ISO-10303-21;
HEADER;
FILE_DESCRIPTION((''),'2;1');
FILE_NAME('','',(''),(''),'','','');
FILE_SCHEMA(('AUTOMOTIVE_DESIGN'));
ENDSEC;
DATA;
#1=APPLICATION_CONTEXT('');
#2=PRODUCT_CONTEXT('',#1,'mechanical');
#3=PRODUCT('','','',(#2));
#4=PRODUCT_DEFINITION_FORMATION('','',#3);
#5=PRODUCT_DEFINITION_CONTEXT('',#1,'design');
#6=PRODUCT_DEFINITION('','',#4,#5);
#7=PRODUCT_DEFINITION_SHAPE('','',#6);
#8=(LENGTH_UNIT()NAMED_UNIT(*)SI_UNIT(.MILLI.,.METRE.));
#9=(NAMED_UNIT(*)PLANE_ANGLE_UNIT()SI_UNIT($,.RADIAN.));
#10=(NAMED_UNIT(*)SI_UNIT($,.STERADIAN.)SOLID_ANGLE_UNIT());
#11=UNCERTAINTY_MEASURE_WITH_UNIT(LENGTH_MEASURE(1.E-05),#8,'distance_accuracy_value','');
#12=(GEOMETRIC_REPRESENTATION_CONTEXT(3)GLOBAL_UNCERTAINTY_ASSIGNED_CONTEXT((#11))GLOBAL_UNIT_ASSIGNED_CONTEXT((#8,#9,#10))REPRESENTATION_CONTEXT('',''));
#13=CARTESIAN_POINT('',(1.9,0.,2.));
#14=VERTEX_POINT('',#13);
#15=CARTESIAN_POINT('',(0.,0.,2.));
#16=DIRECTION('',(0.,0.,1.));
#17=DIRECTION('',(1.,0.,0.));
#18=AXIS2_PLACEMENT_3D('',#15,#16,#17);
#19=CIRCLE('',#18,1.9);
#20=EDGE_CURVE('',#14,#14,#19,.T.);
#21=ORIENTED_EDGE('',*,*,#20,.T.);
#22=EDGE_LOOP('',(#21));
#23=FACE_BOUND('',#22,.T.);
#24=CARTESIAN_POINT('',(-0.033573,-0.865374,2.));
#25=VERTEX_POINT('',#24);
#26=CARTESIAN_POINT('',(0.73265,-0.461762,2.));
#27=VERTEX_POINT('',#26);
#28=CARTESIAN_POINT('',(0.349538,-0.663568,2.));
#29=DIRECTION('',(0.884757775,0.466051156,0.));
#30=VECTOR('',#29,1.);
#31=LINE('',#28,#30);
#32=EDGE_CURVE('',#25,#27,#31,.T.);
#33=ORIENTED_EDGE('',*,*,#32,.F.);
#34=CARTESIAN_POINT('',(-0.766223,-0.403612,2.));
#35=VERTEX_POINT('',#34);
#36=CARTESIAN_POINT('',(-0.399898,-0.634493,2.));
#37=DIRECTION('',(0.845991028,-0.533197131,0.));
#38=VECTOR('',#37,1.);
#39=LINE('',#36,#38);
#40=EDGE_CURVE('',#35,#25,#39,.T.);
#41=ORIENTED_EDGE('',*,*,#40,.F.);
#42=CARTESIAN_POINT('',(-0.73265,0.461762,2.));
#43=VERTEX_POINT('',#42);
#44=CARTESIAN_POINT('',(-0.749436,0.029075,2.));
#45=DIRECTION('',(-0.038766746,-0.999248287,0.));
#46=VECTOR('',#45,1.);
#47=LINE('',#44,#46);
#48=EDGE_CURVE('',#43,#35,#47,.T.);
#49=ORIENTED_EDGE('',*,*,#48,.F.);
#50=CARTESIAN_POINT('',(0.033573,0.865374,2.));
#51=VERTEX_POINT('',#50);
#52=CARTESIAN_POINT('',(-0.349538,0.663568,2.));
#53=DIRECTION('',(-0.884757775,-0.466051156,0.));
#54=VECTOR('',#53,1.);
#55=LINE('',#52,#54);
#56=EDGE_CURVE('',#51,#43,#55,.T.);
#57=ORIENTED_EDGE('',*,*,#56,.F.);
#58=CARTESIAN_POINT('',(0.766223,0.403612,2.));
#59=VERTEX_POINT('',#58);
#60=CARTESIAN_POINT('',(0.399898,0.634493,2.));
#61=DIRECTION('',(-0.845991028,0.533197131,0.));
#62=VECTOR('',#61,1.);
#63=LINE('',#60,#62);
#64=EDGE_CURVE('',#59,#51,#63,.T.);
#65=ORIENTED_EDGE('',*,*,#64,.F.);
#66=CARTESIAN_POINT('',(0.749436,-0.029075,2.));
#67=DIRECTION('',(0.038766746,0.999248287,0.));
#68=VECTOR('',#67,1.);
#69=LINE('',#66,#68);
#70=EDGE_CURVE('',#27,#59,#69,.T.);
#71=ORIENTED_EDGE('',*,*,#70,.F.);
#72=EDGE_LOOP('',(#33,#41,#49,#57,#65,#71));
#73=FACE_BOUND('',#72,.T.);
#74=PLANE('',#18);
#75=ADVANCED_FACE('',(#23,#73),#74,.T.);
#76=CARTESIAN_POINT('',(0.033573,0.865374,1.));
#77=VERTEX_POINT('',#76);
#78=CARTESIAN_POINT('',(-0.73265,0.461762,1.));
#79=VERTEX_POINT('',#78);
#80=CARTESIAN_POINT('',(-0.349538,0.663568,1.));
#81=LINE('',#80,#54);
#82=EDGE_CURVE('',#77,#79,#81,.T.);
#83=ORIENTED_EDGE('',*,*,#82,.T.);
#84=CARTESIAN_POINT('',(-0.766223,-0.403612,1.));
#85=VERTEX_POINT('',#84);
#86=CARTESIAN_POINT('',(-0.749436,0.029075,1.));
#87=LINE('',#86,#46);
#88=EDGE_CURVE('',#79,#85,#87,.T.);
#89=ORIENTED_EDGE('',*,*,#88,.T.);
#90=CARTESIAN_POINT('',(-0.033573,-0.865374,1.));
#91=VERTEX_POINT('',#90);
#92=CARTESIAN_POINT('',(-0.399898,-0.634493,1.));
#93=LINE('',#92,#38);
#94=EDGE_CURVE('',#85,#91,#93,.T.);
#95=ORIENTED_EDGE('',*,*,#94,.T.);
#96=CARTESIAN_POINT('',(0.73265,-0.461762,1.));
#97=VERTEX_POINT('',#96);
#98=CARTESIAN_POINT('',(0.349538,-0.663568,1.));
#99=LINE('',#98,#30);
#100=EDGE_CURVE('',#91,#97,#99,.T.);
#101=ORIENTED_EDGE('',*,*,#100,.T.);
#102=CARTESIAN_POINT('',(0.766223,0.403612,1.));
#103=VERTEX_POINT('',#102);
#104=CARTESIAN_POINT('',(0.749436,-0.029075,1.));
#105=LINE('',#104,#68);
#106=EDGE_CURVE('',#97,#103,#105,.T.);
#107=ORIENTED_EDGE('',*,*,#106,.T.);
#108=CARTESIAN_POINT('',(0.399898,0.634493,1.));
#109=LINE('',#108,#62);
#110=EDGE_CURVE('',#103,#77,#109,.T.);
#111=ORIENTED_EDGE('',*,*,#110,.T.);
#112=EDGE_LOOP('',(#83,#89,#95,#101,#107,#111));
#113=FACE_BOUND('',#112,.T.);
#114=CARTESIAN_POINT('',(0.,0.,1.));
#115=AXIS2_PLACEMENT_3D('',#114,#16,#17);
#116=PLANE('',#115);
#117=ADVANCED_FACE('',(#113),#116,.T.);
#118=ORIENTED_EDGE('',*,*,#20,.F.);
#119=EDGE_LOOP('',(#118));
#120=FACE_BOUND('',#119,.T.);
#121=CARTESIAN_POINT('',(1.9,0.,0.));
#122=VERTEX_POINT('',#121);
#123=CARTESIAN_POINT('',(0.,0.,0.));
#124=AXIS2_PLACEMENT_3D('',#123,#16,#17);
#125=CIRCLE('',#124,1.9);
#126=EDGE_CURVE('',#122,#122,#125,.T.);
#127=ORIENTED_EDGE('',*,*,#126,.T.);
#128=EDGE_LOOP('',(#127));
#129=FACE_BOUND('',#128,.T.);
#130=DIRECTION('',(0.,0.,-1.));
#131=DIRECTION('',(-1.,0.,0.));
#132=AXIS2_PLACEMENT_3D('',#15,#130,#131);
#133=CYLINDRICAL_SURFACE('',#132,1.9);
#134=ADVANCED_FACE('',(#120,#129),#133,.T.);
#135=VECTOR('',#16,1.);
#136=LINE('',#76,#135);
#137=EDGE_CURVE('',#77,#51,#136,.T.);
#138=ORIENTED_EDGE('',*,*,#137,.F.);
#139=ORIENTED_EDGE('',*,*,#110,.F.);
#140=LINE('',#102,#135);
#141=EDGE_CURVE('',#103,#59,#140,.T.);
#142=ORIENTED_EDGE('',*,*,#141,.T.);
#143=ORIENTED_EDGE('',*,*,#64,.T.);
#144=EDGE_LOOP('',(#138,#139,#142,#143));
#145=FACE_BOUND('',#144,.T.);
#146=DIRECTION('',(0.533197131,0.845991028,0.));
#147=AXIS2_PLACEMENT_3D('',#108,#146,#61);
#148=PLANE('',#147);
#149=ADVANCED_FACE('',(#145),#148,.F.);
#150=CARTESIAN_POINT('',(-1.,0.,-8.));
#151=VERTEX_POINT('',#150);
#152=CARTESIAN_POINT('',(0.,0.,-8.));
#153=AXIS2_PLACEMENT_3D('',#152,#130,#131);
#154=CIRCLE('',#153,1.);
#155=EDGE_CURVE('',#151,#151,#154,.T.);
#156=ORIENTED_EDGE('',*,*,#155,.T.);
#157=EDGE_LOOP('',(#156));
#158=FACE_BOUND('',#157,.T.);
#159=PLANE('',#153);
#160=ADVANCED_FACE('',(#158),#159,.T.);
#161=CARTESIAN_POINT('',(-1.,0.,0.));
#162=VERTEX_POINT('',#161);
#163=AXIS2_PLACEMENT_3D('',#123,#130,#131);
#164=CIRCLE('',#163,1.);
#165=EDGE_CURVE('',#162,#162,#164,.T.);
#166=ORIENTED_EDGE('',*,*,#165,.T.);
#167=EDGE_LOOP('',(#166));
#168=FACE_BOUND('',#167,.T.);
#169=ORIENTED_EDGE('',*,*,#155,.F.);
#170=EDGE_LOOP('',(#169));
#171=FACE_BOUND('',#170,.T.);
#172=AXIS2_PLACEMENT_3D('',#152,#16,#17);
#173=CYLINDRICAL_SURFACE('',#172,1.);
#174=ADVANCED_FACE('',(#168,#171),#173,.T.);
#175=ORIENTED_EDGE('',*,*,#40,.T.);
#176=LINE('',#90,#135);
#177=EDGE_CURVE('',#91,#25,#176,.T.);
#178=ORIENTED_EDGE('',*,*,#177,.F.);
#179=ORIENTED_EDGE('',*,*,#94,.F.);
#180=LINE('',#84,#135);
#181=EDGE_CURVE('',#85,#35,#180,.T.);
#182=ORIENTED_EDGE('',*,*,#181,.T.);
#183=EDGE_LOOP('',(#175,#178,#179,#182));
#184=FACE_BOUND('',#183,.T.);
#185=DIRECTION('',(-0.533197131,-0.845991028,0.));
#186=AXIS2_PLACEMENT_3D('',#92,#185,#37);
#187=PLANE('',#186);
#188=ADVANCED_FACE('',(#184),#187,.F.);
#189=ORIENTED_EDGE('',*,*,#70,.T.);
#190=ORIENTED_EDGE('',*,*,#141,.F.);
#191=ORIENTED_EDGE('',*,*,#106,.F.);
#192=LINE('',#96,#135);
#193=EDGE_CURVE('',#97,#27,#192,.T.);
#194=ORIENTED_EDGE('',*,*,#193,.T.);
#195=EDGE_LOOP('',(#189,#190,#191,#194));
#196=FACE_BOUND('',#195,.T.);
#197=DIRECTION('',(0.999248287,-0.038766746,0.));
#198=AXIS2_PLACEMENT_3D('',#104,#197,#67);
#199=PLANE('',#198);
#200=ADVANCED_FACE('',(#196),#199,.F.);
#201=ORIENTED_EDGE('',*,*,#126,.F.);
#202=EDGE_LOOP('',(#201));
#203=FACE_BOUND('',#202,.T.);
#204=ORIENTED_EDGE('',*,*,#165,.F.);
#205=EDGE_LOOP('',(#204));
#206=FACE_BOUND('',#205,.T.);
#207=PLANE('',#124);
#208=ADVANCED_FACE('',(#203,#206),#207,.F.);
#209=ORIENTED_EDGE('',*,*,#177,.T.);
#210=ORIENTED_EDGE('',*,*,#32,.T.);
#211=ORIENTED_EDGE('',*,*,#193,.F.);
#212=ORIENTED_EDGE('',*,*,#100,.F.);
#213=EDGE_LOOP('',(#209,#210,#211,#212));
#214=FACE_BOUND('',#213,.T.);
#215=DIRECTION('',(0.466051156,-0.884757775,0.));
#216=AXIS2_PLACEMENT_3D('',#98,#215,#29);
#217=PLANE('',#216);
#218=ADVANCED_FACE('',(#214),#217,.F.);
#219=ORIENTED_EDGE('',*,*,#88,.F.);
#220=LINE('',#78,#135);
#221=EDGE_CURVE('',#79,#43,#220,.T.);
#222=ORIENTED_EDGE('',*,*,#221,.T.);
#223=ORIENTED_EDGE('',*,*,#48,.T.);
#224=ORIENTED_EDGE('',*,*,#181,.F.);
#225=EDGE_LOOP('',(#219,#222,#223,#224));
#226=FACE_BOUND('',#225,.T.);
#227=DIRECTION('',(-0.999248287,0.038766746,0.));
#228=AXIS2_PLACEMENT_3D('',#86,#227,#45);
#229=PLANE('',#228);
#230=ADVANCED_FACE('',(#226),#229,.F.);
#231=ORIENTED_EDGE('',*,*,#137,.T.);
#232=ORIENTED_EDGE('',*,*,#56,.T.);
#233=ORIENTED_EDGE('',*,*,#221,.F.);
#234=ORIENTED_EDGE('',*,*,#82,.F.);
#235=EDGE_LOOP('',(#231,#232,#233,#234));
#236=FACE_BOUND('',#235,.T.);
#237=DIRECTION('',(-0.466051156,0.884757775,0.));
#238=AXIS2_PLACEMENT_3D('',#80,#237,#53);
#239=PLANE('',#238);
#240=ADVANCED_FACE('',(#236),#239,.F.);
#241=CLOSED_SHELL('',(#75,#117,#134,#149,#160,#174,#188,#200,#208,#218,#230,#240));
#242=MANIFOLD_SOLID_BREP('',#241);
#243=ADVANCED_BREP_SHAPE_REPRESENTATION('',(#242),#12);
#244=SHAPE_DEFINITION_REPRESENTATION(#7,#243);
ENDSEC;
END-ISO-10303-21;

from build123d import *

# Parameters (mm, degrees)
SKETCH_1_R          = 1.9
EXTRUDE_1_DEPTH     = 2
SKETCH_2_R          = 1
EXTRUDE_2_DEPTH     = 8
CUT_EXTRUDE_1_DEPTH = 1


with BuildPart() as part:
    # 草图1 → 凸台-拉伸1 (new body)
    with BuildSketch(Plane.XY):
        Circle(SKETCH_1_R)
    extrude(amount=EXTRUDE_1_DEPTH)

    # 草图2 → 凸台-拉伸2 (add)
    with BuildSketch(Plane(origin=(0, 0, 0), x_dir=(-1, 0, 0), z_dir=(0, 0, -1))):
        Circle(SKETCH_2_R)
    extrude(amount=EXTRUDE_2_DEPTH)

    # 草图3 → 切除-拉伸1 (cut)
    with BuildSketch(Plane.XY.offset(2)):
        Polygon((-0.766222709, -0.403612141), (-0.033572987, -0.865374401), (0.732649722, -0.461762261), (0.766222709, 0.403612141), (0.033572987, 0.865374401), (-0.732649722, 0.461762261), align=None)
    extrude(amount=-CUT_EXTRUDE_1_DEPTH, mode=Mode.SUBTRACT)


solid = part.part
